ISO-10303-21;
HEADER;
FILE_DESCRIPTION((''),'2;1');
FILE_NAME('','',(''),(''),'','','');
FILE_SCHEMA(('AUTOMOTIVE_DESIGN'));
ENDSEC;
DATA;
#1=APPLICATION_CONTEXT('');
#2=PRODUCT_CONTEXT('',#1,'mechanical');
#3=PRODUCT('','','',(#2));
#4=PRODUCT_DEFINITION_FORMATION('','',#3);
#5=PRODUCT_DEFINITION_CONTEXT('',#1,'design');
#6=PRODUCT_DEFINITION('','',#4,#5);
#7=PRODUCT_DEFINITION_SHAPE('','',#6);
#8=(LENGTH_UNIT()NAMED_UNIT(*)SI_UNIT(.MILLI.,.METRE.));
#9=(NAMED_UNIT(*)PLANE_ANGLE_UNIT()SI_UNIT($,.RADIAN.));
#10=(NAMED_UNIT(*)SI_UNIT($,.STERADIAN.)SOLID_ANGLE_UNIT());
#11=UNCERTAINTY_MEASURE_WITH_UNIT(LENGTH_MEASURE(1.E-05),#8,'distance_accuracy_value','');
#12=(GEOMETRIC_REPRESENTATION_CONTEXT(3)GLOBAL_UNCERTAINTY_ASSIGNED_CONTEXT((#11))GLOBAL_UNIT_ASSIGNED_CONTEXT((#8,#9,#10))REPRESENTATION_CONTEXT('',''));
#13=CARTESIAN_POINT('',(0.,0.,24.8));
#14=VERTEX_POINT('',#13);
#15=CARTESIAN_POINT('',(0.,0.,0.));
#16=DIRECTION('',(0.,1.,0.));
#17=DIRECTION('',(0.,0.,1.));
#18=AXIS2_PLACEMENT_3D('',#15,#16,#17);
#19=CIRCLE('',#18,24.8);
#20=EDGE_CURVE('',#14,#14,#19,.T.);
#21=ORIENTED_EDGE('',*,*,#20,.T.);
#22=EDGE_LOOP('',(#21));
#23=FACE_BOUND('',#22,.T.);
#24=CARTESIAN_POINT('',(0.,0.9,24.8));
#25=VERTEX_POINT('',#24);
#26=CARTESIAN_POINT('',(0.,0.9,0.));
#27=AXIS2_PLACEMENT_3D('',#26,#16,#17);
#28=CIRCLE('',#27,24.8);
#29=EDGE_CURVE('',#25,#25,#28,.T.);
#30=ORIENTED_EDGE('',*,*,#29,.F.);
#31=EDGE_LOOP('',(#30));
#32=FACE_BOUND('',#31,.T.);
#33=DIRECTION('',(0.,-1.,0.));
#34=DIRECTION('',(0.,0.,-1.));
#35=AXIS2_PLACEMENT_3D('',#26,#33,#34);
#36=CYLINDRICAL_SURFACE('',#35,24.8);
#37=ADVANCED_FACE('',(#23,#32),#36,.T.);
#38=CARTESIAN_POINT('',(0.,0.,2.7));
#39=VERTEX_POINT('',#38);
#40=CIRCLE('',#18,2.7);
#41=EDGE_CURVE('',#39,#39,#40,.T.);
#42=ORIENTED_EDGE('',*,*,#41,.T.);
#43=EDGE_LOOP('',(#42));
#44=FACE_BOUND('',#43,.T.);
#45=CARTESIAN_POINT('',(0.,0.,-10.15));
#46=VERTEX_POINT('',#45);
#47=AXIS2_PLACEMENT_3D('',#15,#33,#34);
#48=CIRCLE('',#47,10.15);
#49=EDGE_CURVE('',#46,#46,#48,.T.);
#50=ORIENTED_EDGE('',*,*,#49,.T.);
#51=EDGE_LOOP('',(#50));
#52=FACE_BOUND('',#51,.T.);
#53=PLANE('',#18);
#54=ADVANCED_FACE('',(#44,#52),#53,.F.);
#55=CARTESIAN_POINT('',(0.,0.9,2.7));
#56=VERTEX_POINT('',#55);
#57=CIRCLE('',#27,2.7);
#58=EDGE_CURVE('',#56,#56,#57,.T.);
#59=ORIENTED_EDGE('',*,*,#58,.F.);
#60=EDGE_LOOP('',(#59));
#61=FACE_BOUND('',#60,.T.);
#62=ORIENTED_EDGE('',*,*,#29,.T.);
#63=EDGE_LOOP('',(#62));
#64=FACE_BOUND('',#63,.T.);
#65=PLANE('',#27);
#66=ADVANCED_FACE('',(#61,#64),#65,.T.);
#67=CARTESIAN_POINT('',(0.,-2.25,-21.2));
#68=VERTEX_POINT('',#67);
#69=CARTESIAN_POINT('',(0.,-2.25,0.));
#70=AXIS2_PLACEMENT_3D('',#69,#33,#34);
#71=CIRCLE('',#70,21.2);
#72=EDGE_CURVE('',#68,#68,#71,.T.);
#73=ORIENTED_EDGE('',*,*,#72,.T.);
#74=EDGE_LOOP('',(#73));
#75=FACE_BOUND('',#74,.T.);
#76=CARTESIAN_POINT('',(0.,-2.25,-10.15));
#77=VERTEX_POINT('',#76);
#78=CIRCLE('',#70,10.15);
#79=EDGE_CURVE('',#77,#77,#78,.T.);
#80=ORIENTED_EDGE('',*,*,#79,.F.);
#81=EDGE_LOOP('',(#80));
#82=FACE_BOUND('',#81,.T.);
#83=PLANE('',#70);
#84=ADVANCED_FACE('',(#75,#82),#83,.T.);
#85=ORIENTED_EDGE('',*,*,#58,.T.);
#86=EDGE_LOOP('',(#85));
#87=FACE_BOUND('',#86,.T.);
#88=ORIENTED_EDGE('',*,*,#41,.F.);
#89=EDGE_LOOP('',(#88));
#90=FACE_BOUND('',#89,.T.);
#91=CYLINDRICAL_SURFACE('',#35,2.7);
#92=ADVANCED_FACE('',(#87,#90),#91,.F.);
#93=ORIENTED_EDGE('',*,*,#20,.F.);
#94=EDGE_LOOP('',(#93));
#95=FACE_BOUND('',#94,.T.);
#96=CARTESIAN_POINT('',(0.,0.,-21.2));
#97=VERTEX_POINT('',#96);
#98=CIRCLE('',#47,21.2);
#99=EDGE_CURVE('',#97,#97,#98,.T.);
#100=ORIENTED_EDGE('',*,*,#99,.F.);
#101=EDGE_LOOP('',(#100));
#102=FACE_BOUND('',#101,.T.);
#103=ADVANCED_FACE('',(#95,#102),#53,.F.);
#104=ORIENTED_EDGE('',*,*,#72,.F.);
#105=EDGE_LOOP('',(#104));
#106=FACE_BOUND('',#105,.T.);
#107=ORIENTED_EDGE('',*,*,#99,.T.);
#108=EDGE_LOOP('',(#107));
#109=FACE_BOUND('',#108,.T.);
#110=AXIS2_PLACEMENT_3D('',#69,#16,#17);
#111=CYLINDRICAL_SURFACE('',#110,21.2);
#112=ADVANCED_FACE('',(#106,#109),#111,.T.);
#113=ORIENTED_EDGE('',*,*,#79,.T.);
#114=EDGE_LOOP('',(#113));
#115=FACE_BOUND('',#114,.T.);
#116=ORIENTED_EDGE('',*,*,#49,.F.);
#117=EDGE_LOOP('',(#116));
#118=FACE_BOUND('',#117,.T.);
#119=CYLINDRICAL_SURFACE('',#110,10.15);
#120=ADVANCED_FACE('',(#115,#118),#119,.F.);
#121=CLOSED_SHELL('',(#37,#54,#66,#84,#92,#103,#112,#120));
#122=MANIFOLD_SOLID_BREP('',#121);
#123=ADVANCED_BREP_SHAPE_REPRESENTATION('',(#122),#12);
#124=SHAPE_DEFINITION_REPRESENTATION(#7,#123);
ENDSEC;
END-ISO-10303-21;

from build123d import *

# Parameters (mm, degrees)
SKETCH1_R           = 24.8
SKETCH1_R_2         = 2.7
BOSS_EXTRUDE1_DEPTH = 0.9
SKETCH2_R           = 21.2
SKETCH2_R_2         = 10.15
BOSS_EXTRUDE2_DEPTH = 2.25


with BuildPart() as part:
    # Sketch1 → Boss-Extrude1 (new body)
    with BuildSketch(Plane(origin=(0, 0, 0), x_dir=(1, 0, 0), z_dir=(0, 1, 0))):
        Circle(SKETCH1_R)
        Circle(SKETCH1_R_2, mode=Mode.SUBTRACT)
    extrude(amount=BOSS_EXTRUDE1_DEPTH)

    # Sketch2 → Boss-Extrude2 (add)
    with BuildSketch(Plane.XZ):
        Circle(SKETCH2_R)
        Circle(SKETCH2_R_2, mode=Mode.SUBTRACT)
    extrude(amount=BOSS_EXTRUDE2_DEPTH)


solid = part.part
